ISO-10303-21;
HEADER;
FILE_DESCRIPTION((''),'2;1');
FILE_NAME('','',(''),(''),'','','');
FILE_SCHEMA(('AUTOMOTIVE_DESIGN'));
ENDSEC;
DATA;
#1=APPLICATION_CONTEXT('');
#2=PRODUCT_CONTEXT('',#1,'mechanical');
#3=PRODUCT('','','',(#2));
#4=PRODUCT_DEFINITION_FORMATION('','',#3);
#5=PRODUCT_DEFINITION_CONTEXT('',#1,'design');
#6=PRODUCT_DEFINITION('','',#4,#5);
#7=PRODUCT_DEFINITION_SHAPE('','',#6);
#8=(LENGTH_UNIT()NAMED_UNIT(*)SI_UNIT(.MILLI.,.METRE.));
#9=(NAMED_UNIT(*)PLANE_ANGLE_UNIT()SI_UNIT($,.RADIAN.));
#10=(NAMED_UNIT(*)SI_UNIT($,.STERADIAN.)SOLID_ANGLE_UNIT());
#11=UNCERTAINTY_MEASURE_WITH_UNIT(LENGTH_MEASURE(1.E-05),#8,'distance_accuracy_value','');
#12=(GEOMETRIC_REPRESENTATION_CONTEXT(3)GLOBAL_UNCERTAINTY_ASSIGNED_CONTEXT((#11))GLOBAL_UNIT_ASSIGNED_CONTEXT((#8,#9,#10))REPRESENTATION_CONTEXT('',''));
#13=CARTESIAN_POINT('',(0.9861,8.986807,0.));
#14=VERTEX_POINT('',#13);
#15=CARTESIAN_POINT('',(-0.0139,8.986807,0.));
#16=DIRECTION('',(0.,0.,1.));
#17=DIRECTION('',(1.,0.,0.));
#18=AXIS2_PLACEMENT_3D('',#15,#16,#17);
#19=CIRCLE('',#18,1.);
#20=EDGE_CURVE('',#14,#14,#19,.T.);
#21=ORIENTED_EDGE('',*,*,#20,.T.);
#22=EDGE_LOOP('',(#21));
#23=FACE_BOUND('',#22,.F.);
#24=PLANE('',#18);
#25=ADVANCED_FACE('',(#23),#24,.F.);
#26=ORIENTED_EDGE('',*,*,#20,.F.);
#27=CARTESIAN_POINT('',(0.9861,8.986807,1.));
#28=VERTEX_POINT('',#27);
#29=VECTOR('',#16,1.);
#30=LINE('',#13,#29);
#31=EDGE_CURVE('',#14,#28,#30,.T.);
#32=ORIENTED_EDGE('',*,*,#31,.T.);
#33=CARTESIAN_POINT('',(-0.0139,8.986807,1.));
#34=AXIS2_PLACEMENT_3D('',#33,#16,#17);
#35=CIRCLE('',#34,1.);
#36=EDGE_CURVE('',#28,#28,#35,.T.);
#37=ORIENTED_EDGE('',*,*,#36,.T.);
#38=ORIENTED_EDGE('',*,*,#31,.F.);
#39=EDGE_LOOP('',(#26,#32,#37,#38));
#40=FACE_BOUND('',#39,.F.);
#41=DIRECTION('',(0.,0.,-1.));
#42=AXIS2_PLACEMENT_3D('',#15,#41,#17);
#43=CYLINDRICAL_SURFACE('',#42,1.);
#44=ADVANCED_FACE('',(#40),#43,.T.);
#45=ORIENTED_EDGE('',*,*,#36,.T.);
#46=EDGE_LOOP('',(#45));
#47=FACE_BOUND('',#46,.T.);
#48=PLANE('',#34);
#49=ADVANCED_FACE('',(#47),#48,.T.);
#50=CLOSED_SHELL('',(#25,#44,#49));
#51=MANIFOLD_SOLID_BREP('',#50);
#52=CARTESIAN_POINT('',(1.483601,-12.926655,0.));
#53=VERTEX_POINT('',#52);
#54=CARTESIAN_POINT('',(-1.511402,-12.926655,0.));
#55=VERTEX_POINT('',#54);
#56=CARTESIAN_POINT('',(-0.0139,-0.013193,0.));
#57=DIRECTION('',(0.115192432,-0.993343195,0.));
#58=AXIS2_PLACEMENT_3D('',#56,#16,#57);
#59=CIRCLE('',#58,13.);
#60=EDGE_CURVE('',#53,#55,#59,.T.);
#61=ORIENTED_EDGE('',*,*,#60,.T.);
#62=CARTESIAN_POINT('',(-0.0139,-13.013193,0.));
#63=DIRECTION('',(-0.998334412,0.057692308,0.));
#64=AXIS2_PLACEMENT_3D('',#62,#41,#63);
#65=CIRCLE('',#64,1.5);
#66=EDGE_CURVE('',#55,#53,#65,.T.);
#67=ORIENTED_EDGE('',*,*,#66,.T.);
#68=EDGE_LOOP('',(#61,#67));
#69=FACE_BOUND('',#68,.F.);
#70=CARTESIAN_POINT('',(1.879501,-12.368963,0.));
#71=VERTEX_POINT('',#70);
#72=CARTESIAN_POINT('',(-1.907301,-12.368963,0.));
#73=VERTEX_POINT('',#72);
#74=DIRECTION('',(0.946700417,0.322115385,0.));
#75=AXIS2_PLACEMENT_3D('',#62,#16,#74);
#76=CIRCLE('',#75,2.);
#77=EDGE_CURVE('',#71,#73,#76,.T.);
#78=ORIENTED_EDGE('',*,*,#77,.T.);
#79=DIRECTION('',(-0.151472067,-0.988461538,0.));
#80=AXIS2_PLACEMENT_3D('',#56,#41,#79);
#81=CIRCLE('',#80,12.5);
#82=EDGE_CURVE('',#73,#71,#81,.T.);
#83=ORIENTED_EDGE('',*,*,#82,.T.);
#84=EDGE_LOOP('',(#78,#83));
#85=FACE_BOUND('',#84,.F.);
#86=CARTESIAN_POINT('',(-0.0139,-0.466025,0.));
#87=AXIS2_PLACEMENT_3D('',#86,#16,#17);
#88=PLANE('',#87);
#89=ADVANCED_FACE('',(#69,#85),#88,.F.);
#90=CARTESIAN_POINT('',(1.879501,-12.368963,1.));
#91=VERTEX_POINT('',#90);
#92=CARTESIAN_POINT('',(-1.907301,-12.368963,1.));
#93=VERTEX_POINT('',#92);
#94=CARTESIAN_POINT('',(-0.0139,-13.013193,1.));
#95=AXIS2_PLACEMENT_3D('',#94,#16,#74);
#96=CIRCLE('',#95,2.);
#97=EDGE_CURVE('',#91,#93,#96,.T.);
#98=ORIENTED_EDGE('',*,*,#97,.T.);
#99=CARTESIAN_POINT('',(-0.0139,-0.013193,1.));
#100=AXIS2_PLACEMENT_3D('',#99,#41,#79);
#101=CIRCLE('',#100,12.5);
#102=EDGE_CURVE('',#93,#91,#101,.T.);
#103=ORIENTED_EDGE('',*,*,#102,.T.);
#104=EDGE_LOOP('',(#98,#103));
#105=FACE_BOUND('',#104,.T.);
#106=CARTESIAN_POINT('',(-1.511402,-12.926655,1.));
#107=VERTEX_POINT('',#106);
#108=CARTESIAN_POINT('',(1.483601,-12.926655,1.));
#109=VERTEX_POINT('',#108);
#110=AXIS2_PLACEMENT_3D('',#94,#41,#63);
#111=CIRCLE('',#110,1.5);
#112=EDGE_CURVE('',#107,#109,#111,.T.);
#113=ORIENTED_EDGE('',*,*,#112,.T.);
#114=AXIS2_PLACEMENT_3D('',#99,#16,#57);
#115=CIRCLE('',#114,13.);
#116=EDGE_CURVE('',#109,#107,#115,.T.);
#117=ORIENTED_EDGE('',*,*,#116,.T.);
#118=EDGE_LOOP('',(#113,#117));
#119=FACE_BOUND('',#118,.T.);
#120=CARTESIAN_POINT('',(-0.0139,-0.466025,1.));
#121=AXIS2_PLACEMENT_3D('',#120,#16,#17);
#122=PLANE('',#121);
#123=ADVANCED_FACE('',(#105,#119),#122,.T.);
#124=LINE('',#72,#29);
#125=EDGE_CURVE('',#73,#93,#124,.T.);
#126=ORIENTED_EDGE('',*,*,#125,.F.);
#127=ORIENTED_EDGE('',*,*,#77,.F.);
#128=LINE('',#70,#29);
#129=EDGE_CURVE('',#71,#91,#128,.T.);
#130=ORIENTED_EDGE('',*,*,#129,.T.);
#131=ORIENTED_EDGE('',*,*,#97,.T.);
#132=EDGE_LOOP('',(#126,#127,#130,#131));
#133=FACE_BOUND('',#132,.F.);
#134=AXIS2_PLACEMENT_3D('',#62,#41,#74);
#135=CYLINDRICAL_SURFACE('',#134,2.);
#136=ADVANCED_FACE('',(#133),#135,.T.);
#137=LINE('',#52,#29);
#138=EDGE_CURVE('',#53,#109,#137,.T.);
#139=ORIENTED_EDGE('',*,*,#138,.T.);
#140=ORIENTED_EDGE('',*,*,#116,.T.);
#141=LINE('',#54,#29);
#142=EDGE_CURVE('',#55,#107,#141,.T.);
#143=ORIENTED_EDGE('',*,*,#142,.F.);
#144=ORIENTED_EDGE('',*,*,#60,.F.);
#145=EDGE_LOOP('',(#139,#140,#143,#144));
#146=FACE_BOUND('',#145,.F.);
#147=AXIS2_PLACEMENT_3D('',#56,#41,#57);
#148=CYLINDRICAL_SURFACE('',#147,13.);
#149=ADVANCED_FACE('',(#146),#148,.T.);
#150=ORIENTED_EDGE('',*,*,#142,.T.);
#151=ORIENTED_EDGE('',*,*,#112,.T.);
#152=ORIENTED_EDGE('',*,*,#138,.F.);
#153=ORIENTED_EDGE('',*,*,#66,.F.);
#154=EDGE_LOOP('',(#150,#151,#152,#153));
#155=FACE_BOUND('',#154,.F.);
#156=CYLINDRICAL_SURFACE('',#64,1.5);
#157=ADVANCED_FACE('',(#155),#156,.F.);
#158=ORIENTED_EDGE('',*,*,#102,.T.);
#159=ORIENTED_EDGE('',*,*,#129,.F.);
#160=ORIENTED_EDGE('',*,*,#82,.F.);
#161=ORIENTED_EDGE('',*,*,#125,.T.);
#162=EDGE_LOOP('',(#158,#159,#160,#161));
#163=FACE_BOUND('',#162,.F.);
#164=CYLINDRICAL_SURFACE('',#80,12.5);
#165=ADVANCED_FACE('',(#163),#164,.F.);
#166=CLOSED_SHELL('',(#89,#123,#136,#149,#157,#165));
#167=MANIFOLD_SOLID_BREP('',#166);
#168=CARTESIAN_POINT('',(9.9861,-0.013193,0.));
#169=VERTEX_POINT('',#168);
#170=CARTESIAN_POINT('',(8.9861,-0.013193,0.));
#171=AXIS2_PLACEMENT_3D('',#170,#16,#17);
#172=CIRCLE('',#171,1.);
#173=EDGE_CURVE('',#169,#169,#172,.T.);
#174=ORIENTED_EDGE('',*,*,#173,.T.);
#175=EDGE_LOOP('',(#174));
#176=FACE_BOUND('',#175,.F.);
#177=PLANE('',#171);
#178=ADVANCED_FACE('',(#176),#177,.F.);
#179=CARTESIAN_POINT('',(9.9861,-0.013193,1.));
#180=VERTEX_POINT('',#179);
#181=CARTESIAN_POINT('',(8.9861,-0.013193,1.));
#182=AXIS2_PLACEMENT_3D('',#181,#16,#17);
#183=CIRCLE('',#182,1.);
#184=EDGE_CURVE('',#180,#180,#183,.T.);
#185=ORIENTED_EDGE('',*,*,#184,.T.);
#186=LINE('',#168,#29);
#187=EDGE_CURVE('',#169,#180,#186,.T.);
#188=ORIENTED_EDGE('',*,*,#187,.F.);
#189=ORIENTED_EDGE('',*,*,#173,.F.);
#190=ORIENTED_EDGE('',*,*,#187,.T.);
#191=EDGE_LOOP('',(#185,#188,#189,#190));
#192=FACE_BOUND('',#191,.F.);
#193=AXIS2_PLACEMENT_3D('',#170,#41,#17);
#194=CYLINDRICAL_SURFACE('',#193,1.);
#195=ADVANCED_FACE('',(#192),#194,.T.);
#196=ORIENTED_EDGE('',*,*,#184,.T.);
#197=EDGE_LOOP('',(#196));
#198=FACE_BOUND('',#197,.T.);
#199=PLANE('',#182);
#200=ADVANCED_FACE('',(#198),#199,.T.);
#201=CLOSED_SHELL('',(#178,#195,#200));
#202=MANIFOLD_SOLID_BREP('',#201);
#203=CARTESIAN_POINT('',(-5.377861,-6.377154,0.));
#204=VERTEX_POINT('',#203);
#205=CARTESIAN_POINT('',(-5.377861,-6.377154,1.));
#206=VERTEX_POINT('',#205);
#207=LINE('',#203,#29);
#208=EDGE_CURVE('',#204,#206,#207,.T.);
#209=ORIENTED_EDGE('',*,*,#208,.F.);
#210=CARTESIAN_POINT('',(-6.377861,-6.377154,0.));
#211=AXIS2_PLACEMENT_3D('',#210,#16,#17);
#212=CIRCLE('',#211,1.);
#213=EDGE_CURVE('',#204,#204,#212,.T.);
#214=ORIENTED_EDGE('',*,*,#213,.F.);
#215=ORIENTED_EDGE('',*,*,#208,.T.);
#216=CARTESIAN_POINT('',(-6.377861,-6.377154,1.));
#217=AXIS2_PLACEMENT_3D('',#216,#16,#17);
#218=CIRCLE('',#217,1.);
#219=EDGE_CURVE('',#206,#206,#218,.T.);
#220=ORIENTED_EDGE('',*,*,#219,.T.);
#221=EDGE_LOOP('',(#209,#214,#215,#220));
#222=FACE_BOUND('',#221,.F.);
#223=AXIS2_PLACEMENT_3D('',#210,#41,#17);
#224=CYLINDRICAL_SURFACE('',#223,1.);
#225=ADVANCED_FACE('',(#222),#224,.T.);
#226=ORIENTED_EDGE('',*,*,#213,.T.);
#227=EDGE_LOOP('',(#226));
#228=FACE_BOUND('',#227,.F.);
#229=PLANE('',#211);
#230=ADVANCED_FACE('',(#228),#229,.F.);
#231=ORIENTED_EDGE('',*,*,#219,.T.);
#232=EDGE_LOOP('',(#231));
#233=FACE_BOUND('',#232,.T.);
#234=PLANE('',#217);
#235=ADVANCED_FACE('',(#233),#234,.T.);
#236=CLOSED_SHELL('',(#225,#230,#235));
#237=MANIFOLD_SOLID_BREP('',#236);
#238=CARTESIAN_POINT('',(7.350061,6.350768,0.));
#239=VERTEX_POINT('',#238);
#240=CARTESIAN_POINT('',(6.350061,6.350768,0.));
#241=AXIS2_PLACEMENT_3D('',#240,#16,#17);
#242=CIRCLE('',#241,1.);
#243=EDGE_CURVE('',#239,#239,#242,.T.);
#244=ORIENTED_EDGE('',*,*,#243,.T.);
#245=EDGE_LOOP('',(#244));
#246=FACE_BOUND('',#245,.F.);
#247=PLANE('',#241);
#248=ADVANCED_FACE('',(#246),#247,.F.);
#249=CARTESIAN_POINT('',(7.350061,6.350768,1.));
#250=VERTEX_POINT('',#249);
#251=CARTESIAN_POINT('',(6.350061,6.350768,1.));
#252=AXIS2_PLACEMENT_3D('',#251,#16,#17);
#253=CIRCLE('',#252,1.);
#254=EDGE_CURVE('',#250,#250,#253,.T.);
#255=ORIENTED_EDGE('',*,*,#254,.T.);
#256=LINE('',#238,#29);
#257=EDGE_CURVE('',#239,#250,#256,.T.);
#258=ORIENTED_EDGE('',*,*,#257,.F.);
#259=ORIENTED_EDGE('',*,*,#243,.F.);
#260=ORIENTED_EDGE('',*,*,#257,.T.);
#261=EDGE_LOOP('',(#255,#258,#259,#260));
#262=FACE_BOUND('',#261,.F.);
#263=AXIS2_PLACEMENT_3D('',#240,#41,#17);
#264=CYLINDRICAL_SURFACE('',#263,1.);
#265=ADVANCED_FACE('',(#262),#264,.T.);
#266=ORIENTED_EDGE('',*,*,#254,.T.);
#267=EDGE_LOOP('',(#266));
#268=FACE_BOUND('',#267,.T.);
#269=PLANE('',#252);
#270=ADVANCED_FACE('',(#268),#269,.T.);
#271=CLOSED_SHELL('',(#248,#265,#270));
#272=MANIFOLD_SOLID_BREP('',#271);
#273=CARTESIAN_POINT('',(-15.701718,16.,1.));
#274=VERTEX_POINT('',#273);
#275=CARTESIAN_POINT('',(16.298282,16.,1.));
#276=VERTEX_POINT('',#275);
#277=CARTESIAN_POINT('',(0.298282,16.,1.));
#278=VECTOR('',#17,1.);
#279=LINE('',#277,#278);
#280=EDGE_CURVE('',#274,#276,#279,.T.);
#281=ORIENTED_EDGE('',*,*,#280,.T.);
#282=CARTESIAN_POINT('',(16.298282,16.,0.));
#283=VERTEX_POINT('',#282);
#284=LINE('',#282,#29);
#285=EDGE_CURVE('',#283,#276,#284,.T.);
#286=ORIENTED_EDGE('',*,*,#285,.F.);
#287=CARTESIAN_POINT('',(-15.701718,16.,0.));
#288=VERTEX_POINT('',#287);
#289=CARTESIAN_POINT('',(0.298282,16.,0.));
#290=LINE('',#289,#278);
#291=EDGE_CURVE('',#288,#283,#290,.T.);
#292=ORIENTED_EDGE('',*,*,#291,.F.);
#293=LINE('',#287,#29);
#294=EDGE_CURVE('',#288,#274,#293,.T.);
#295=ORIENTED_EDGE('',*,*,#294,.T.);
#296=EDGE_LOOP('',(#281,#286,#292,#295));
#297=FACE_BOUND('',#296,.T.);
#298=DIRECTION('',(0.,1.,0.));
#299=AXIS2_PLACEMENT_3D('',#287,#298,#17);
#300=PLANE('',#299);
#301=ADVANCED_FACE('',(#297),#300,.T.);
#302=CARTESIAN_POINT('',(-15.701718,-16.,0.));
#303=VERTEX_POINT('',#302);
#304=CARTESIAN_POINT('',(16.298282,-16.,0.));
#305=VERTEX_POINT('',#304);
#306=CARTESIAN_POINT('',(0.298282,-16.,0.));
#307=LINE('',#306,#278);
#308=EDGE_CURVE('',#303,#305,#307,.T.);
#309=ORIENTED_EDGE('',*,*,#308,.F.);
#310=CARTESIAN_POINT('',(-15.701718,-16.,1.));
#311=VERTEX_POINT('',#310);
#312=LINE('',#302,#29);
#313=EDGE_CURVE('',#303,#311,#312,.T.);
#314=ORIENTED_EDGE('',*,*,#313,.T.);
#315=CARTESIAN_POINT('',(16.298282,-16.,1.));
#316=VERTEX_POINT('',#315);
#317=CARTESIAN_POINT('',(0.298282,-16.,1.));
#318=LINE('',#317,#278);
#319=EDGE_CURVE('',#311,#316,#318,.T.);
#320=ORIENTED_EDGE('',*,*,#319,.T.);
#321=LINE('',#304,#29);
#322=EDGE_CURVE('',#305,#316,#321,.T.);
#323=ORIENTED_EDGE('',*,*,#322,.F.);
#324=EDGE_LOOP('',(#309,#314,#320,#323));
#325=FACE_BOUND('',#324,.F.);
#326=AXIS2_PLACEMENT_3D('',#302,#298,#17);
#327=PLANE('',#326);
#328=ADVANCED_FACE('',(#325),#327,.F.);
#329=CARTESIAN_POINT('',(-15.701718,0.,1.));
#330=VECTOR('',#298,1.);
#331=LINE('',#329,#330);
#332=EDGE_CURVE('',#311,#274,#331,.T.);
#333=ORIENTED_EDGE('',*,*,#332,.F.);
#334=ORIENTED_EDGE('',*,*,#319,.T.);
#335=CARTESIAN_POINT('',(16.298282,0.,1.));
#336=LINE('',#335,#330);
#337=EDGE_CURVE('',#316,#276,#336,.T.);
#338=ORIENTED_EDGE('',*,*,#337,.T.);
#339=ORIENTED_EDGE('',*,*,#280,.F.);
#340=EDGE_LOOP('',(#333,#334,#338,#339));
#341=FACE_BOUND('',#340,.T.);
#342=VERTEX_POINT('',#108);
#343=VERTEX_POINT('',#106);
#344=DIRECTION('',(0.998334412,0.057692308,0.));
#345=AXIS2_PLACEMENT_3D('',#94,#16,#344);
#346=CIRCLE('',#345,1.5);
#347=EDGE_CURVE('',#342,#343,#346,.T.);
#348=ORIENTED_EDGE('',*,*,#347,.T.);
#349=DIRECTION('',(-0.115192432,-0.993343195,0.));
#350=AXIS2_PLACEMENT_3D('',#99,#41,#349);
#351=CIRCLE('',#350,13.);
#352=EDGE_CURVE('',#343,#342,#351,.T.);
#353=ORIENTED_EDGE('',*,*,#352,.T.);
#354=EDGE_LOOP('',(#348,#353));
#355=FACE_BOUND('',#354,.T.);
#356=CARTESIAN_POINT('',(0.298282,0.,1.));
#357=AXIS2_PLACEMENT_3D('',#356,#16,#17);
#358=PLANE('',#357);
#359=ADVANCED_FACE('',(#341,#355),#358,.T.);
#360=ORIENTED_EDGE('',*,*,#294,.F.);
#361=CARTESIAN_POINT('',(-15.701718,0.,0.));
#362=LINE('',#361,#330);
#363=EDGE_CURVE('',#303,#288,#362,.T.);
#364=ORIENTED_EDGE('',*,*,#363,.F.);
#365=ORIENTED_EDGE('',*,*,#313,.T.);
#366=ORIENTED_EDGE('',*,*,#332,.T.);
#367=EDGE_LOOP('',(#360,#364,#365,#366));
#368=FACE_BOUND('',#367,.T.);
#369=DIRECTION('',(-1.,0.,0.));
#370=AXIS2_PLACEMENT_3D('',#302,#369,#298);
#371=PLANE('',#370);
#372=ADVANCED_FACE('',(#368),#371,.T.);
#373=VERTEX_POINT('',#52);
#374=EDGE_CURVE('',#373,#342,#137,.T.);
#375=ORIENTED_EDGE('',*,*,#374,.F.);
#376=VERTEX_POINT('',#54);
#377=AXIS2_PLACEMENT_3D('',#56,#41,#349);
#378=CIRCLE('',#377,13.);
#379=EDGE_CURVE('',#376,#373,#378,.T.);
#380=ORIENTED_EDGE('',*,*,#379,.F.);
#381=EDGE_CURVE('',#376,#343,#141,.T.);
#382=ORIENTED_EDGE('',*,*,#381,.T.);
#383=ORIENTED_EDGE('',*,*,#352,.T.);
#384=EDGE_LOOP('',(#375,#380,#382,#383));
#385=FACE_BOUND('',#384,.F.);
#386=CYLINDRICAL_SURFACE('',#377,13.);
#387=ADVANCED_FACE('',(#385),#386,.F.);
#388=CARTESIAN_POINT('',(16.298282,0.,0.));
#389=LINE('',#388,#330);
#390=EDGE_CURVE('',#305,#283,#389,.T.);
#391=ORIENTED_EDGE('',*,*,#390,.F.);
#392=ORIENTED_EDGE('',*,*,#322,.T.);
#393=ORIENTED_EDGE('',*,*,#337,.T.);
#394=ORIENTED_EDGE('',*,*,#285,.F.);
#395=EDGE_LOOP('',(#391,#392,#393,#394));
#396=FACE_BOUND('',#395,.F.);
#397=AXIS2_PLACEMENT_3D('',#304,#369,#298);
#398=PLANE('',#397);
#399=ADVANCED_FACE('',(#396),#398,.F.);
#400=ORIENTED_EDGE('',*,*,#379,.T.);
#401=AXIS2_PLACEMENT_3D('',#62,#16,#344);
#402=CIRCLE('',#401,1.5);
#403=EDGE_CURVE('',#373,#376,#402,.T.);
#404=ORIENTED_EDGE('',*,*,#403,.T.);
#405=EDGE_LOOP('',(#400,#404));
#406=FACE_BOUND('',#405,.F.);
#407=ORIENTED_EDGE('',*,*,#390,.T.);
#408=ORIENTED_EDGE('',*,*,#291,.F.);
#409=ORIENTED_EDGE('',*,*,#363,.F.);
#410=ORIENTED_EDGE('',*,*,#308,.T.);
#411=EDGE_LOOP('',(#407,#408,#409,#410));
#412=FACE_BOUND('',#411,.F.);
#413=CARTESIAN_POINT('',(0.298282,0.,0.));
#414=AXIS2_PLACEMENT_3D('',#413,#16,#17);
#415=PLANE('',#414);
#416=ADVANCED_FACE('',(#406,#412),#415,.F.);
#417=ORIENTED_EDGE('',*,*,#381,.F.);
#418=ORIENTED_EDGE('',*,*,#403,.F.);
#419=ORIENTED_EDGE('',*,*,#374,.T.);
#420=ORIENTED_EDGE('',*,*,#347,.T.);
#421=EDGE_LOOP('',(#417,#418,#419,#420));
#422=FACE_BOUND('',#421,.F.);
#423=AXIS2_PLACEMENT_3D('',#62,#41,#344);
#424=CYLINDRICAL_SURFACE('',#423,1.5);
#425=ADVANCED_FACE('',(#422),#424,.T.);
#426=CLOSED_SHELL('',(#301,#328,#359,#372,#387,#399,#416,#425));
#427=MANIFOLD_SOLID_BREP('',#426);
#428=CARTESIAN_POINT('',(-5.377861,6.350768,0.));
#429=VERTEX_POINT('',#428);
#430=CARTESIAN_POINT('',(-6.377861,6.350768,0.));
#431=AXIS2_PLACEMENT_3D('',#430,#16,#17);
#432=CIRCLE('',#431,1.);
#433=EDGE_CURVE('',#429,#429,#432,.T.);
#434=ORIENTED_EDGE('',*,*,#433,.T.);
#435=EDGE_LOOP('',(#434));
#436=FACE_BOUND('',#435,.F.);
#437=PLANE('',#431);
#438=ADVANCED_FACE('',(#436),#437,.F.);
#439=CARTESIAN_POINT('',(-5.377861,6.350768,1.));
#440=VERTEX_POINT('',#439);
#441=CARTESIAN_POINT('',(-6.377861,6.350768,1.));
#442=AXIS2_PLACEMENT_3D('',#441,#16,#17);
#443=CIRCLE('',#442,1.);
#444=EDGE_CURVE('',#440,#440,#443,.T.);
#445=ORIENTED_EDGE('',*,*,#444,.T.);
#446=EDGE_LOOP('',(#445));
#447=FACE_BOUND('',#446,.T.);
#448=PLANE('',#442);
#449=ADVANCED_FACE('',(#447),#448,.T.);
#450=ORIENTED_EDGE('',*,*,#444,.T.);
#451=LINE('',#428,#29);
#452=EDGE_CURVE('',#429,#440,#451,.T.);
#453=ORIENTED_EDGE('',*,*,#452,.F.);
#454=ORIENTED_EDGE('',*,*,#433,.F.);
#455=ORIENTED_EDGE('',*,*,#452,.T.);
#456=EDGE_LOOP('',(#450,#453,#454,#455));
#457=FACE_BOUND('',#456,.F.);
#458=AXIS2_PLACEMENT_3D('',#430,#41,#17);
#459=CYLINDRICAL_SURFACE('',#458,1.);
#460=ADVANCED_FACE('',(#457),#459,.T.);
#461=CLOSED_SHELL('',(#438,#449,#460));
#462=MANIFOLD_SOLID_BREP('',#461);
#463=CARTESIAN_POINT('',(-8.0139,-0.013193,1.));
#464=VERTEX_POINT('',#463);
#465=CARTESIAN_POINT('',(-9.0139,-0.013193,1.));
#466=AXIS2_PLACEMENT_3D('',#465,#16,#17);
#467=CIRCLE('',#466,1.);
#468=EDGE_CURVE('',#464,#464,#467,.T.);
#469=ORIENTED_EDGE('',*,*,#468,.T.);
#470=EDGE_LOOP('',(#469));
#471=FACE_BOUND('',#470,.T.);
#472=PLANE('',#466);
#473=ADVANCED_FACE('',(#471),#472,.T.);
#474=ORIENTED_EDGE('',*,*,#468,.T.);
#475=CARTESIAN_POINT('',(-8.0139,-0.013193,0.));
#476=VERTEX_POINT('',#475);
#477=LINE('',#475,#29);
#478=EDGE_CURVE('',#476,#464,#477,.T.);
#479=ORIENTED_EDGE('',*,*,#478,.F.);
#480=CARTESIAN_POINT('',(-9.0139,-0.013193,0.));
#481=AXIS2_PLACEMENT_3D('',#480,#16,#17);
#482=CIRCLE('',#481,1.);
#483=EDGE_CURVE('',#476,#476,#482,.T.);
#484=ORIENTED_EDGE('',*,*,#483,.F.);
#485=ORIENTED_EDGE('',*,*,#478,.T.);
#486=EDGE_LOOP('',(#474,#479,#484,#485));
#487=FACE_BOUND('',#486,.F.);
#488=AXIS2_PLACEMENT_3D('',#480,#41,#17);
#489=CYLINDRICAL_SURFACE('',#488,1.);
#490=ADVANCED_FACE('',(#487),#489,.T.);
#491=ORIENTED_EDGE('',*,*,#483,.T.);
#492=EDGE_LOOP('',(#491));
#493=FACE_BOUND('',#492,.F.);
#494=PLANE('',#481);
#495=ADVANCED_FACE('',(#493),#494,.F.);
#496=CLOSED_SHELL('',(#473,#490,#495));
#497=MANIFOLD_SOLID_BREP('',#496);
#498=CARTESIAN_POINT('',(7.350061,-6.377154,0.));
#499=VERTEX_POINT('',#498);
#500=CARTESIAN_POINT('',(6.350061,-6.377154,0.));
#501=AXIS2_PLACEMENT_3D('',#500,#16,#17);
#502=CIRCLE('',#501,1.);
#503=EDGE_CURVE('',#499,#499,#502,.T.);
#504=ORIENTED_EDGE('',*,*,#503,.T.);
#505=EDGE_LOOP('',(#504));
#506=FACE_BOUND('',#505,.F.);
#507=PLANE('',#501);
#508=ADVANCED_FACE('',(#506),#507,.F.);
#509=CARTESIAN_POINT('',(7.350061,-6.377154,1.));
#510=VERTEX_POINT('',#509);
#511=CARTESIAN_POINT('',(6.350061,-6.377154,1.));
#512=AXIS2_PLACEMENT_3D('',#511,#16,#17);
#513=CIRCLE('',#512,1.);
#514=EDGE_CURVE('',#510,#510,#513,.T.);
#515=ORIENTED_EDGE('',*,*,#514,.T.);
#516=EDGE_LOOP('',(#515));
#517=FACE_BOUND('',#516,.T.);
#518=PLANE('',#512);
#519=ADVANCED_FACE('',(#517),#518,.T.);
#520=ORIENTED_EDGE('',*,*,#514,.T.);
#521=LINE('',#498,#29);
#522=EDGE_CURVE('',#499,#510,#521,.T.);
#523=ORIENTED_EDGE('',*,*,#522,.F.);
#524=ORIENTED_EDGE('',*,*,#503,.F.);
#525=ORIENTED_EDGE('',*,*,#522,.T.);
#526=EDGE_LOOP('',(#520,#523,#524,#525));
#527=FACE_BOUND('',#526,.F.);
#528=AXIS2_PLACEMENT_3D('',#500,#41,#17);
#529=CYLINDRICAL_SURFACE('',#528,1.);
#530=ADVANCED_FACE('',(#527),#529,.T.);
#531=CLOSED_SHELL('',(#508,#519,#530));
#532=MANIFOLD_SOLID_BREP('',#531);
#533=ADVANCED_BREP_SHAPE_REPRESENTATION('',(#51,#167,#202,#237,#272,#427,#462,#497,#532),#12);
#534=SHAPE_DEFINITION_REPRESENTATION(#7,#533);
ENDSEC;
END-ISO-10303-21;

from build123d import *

# Parameters (mm, degrees)
F0_R     = 1
F1_DEPTH = 1
F0_W     = 32
F0_H     = 32
F2_DEPTH = 1


with BuildPart() as f1:
    # F0 (on Top) → F1 (new body)
    with BuildSketch(Plane.XY):
        with Locations((-9.0139002259, -0.0131933517)):
            Circle(F0_R)
    extrude(amount=F1_DEPTH)


with BuildPart() as f1b:
    # F0 (on Top) → F1, piece 2 (new body)
    with BuildSketch(Plane.XY):
        with Locations((-6.3778612566, 6.350767679)):
            Circle(F0_R)
    extrude(amount=F1_DEPTH)


with BuildPart() as f1c:
    # F0 (on Top) → F1, piece 3 (new body)
    with BuildSketch(Plane.XY):
        with Locations((-0.0139002259, 8.9868066483)):
            Circle(F0_R)
    extrude(amount=F1_DEPTH)


with BuildPart() as f1d:
    # F0 (on Top) → F1, piece 4 (new body)
    with BuildSketch(Plane.XY):
        with Locations((6.3500608048, 6.350767679)):
            Circle(F0_R)
    extrude(amount=F1_DEPTH)


with BuildPart() as f1e:
    # F0 (on Top) → F1, piece 5 (new body)
    with BuildSketch(Plane.XY):
        with Locations((8.9860997741, -0.0131933517)):
            Circle(F0_R)
    extrude(amount=F1_DEPTH)


with BuildPart() as f1f:
    # F0 (on Top) → F1, piece 6 (new body)
    with BuildSketch(Plane.XY):
        with Locations((6.3500608048, -6.3771543823)):
            Circle(F0_R)
    extrude(amount=F1_DEPTH)


with BuildPart() as f1g:
    # F0 (on Top) → F1, piece 7 (new body)
    with BuildSketch(Plane.XY):
        with Locations((-6.3778612566, -6.3771543823)):
            Circle(F0_R)
    extrude(amount=F1_DEPTH)


with BuildPart() as f1h:
    # F0 (on Top) → F1, piece 8 (new body)
    with BuildSketch(Plane.XY):
        with BuildLine():
            ThreePointArc((-1.5114018435, -12.9266548901), (-0.0139002259, -11.5131933517), (1.4836013917, -12.9266548901))
            ThreePointArc((1.4836013917, -12.9266548901), (-0.0139002259, 12.9868066483), (-1.5114018435, -12.9266548901))
        make_face()
        with BuildLine():
            ThreePointArc((-1.9073010593, -12.3689625824), (-0.0139002259, 12.4868066483), (1.8795006075, -12.3689625824))
            ThreePointArc((1.8795006075, -12.3689625824), (-0.0139002259, -11.0131933517), (-1.9073010593, -12.3689625824))
        make_face(mode=Mode.SUBTRACT)
    extrude(amount=F1_DEPTH)


with BuildPart() as f2:
    # F0 (on Top) → F2 (new body)
    with BuildSketch(Plane.XY):
        with Locations((0.2982817241, 0)):
            Rectangle(F0_W, F0_H)
        with BuildLine():
            ThreePointArc((-1.5114018435, -12.9266548901), (-0.0139002259, 12.9868066483), (1.4836013917, -12.9266548901))
            ThreePointArc((1.4836013917, -12.9266548901), (-0.0139002259, -11.5131933517), (-1.5114018435, -12.9266548901))
        make_face(mode=Mode.SUBTRACT)
    extrude(amount=F2_DEPTH)


solid = Compound([f1.part, f1b.part, f1c.part, f1d.part, f1e.part, f1f.part, f1g.part, f1h.part, f2.part])
